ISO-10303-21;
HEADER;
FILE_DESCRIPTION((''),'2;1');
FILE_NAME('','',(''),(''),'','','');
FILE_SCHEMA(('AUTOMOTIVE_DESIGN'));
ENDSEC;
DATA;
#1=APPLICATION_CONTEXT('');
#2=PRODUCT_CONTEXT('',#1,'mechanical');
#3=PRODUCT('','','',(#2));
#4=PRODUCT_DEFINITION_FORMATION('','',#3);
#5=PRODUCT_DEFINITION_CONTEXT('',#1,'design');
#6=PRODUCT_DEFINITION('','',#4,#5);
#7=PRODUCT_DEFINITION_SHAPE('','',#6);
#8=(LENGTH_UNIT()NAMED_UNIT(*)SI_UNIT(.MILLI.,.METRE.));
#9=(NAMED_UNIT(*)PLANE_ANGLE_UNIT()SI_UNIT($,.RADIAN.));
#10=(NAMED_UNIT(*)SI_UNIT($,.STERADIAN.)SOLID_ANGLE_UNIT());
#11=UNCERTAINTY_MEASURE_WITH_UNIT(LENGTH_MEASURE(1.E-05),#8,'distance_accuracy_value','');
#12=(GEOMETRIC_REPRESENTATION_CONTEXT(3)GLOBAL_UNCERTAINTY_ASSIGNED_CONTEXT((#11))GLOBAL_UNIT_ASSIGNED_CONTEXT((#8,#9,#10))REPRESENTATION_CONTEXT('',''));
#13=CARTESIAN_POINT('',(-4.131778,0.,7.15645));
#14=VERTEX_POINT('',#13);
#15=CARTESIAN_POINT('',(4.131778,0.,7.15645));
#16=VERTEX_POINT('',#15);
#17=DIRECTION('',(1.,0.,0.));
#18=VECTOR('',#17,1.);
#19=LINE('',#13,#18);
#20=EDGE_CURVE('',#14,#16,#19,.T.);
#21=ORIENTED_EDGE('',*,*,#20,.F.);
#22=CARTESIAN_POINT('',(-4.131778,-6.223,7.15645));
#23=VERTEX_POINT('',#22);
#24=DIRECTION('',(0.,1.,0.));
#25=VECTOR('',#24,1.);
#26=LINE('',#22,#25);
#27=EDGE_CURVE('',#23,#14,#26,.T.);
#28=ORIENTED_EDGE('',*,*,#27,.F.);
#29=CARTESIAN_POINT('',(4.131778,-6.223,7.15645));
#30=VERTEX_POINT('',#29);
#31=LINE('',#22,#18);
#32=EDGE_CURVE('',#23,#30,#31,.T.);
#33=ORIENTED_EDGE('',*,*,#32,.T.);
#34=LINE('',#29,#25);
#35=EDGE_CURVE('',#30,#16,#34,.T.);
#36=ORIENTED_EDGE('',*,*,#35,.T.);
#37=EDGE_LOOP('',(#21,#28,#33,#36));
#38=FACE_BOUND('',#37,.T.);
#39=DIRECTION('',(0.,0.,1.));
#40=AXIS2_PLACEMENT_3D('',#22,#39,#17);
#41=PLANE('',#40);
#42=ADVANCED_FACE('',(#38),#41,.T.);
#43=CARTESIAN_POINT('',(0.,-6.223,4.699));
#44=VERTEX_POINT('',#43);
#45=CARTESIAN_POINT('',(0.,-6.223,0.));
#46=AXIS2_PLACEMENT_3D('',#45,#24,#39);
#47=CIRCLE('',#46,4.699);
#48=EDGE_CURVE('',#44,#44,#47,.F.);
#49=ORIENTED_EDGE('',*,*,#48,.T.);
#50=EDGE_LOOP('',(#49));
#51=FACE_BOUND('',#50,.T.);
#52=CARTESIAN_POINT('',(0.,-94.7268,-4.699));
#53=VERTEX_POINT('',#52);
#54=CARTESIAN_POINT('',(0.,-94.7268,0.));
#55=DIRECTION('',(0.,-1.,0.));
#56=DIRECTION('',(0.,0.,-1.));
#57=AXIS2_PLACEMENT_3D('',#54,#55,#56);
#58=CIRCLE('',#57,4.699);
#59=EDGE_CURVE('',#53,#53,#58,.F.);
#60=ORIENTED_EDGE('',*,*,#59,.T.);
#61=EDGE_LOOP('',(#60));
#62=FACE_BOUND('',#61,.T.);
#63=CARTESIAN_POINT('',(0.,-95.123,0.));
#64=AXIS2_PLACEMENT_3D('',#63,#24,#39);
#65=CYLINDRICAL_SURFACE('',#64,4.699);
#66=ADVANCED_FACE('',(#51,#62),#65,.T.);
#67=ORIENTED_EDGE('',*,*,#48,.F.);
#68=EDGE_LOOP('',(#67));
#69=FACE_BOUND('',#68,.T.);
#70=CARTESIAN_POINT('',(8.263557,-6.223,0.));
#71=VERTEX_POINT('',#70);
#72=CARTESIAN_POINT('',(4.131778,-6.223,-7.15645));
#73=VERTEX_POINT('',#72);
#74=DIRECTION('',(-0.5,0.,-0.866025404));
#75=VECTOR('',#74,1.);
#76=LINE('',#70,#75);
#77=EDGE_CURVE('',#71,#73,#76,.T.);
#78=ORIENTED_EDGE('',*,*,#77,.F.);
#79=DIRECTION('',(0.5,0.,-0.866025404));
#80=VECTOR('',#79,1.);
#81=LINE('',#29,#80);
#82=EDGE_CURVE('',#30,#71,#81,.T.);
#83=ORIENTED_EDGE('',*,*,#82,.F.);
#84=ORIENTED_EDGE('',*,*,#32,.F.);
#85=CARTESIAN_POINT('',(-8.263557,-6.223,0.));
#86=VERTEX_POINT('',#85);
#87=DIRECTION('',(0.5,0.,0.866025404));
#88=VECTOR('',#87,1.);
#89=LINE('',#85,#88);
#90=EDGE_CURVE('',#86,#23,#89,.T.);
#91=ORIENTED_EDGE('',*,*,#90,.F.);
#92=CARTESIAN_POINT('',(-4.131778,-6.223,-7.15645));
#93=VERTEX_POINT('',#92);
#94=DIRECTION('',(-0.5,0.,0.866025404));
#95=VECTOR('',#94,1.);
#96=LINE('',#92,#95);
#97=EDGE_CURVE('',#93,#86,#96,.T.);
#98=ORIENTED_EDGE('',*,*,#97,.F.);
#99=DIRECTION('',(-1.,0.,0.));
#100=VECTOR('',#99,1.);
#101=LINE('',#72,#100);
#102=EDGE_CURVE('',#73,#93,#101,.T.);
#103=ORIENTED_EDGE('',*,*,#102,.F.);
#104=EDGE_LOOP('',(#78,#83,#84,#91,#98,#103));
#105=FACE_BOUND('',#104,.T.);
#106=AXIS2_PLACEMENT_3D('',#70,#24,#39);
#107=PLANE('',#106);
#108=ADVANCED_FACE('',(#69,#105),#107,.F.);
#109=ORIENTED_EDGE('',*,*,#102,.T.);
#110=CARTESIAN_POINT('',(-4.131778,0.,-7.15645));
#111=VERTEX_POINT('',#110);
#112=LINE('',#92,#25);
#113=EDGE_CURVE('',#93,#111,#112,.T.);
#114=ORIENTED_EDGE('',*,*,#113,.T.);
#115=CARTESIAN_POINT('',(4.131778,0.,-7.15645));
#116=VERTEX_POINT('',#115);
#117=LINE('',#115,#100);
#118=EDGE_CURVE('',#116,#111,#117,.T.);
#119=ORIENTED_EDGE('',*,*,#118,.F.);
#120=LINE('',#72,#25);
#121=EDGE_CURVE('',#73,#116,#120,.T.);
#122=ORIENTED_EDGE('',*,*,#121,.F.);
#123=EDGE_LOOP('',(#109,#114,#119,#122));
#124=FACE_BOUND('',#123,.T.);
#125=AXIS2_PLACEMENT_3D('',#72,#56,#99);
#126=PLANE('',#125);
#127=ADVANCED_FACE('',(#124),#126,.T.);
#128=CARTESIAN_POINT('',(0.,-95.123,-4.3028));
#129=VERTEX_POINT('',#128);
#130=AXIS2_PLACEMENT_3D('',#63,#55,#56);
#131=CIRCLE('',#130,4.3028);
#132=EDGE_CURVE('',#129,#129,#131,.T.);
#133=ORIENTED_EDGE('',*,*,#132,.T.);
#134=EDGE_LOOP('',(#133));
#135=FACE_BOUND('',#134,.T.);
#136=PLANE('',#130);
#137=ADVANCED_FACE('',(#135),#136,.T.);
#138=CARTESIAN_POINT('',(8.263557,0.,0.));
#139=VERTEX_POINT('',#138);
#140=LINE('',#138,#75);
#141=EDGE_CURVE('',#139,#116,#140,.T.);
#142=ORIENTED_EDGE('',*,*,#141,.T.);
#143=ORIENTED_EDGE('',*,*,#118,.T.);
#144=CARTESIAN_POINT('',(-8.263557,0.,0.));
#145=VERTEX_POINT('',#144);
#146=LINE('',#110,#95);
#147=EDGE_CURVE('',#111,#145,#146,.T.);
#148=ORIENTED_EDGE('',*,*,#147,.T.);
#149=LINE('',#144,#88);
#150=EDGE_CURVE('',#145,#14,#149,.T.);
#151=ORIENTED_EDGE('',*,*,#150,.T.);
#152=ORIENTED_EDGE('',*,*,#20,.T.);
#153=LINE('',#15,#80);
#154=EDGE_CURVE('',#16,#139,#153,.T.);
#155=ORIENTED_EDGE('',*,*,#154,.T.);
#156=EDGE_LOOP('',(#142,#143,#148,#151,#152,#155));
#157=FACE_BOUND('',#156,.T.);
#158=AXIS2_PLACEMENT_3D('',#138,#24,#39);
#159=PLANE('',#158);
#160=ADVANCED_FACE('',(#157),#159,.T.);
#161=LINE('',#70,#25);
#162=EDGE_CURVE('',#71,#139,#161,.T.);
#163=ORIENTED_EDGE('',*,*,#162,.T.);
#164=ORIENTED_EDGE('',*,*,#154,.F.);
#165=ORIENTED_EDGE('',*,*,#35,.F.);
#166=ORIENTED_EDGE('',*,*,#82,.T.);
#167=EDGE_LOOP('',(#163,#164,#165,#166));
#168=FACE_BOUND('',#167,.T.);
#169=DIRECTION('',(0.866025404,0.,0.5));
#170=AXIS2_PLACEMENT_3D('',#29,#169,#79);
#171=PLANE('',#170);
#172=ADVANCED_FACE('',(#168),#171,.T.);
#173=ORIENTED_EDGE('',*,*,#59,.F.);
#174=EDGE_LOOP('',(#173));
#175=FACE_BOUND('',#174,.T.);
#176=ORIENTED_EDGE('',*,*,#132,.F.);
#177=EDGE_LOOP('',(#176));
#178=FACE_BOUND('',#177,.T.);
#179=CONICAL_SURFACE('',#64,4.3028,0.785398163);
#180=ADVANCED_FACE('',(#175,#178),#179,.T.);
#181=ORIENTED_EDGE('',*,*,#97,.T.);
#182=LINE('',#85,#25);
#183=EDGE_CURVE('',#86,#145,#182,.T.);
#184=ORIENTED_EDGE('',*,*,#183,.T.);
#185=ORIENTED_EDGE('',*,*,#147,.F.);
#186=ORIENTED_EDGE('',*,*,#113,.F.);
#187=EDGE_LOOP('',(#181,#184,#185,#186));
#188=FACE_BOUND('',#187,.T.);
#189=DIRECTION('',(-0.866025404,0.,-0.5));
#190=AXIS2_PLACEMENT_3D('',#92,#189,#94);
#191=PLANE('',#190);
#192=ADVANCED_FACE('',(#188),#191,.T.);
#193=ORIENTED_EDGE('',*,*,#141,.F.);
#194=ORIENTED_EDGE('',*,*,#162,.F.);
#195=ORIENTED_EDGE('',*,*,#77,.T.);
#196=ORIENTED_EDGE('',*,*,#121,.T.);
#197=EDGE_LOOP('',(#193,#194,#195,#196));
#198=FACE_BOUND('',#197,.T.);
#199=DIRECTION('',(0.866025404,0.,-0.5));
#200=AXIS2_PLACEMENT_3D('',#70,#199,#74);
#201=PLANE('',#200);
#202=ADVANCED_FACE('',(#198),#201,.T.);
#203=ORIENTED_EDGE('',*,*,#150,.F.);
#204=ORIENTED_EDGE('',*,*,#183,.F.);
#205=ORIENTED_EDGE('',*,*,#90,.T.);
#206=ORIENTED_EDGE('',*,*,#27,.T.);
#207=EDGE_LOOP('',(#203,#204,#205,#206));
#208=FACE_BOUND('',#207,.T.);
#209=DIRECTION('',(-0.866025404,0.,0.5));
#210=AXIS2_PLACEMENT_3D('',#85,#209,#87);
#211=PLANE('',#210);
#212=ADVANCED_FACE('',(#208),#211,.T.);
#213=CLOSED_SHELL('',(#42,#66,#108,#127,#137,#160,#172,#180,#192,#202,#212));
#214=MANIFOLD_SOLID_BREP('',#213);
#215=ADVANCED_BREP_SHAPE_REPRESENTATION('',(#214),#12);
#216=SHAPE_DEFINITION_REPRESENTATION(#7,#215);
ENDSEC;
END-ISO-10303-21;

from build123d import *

# Parameters (mm, degrees)
EXTRUDE1_DEPTH = 6.223
SKETCH2_R      = 4.699
EXTRUDE2_DEPTH = 88.9
CHAMFER1_SIZE  = 0.3962


with BuildPart() as part:
    # Sketch1 → Extrude1 (new body)
    with BuildSketch(Plane(origin=(0, 0, 0), x_dir=(1, 0, 0), z_dir=(0, 1, 0))):
        Polygon((8.263556668, 0), (4.131778334, 7.15645), (-4.131778334, 7.15645), (-8.263556668, 0), (-4.131778334, -7.15645), (4.131778334, -7.15645), align=None)
    extrude(amount=-EXTRUDE1_DEPTH)

    # Sketch2 → Extrude2 (add)
    with BuildSketch(Plane.XZ.offset(6.223)):
        with Locations(Location((0, 0, 0), (0, 0, 90))):
            Circle(SKETCH2_R)
    extrude(amount=EXTRUDE2_DEPTH)

    # Chamfer1
    chamfer1_edges = [part.edges().sort_by_distance(p)[0] for p in [
        (0, -95.123, -4.699),
    ]]
    chamfer(chamfer1_edges, length=CHAMFER1_SIZE)


solid = part.part
